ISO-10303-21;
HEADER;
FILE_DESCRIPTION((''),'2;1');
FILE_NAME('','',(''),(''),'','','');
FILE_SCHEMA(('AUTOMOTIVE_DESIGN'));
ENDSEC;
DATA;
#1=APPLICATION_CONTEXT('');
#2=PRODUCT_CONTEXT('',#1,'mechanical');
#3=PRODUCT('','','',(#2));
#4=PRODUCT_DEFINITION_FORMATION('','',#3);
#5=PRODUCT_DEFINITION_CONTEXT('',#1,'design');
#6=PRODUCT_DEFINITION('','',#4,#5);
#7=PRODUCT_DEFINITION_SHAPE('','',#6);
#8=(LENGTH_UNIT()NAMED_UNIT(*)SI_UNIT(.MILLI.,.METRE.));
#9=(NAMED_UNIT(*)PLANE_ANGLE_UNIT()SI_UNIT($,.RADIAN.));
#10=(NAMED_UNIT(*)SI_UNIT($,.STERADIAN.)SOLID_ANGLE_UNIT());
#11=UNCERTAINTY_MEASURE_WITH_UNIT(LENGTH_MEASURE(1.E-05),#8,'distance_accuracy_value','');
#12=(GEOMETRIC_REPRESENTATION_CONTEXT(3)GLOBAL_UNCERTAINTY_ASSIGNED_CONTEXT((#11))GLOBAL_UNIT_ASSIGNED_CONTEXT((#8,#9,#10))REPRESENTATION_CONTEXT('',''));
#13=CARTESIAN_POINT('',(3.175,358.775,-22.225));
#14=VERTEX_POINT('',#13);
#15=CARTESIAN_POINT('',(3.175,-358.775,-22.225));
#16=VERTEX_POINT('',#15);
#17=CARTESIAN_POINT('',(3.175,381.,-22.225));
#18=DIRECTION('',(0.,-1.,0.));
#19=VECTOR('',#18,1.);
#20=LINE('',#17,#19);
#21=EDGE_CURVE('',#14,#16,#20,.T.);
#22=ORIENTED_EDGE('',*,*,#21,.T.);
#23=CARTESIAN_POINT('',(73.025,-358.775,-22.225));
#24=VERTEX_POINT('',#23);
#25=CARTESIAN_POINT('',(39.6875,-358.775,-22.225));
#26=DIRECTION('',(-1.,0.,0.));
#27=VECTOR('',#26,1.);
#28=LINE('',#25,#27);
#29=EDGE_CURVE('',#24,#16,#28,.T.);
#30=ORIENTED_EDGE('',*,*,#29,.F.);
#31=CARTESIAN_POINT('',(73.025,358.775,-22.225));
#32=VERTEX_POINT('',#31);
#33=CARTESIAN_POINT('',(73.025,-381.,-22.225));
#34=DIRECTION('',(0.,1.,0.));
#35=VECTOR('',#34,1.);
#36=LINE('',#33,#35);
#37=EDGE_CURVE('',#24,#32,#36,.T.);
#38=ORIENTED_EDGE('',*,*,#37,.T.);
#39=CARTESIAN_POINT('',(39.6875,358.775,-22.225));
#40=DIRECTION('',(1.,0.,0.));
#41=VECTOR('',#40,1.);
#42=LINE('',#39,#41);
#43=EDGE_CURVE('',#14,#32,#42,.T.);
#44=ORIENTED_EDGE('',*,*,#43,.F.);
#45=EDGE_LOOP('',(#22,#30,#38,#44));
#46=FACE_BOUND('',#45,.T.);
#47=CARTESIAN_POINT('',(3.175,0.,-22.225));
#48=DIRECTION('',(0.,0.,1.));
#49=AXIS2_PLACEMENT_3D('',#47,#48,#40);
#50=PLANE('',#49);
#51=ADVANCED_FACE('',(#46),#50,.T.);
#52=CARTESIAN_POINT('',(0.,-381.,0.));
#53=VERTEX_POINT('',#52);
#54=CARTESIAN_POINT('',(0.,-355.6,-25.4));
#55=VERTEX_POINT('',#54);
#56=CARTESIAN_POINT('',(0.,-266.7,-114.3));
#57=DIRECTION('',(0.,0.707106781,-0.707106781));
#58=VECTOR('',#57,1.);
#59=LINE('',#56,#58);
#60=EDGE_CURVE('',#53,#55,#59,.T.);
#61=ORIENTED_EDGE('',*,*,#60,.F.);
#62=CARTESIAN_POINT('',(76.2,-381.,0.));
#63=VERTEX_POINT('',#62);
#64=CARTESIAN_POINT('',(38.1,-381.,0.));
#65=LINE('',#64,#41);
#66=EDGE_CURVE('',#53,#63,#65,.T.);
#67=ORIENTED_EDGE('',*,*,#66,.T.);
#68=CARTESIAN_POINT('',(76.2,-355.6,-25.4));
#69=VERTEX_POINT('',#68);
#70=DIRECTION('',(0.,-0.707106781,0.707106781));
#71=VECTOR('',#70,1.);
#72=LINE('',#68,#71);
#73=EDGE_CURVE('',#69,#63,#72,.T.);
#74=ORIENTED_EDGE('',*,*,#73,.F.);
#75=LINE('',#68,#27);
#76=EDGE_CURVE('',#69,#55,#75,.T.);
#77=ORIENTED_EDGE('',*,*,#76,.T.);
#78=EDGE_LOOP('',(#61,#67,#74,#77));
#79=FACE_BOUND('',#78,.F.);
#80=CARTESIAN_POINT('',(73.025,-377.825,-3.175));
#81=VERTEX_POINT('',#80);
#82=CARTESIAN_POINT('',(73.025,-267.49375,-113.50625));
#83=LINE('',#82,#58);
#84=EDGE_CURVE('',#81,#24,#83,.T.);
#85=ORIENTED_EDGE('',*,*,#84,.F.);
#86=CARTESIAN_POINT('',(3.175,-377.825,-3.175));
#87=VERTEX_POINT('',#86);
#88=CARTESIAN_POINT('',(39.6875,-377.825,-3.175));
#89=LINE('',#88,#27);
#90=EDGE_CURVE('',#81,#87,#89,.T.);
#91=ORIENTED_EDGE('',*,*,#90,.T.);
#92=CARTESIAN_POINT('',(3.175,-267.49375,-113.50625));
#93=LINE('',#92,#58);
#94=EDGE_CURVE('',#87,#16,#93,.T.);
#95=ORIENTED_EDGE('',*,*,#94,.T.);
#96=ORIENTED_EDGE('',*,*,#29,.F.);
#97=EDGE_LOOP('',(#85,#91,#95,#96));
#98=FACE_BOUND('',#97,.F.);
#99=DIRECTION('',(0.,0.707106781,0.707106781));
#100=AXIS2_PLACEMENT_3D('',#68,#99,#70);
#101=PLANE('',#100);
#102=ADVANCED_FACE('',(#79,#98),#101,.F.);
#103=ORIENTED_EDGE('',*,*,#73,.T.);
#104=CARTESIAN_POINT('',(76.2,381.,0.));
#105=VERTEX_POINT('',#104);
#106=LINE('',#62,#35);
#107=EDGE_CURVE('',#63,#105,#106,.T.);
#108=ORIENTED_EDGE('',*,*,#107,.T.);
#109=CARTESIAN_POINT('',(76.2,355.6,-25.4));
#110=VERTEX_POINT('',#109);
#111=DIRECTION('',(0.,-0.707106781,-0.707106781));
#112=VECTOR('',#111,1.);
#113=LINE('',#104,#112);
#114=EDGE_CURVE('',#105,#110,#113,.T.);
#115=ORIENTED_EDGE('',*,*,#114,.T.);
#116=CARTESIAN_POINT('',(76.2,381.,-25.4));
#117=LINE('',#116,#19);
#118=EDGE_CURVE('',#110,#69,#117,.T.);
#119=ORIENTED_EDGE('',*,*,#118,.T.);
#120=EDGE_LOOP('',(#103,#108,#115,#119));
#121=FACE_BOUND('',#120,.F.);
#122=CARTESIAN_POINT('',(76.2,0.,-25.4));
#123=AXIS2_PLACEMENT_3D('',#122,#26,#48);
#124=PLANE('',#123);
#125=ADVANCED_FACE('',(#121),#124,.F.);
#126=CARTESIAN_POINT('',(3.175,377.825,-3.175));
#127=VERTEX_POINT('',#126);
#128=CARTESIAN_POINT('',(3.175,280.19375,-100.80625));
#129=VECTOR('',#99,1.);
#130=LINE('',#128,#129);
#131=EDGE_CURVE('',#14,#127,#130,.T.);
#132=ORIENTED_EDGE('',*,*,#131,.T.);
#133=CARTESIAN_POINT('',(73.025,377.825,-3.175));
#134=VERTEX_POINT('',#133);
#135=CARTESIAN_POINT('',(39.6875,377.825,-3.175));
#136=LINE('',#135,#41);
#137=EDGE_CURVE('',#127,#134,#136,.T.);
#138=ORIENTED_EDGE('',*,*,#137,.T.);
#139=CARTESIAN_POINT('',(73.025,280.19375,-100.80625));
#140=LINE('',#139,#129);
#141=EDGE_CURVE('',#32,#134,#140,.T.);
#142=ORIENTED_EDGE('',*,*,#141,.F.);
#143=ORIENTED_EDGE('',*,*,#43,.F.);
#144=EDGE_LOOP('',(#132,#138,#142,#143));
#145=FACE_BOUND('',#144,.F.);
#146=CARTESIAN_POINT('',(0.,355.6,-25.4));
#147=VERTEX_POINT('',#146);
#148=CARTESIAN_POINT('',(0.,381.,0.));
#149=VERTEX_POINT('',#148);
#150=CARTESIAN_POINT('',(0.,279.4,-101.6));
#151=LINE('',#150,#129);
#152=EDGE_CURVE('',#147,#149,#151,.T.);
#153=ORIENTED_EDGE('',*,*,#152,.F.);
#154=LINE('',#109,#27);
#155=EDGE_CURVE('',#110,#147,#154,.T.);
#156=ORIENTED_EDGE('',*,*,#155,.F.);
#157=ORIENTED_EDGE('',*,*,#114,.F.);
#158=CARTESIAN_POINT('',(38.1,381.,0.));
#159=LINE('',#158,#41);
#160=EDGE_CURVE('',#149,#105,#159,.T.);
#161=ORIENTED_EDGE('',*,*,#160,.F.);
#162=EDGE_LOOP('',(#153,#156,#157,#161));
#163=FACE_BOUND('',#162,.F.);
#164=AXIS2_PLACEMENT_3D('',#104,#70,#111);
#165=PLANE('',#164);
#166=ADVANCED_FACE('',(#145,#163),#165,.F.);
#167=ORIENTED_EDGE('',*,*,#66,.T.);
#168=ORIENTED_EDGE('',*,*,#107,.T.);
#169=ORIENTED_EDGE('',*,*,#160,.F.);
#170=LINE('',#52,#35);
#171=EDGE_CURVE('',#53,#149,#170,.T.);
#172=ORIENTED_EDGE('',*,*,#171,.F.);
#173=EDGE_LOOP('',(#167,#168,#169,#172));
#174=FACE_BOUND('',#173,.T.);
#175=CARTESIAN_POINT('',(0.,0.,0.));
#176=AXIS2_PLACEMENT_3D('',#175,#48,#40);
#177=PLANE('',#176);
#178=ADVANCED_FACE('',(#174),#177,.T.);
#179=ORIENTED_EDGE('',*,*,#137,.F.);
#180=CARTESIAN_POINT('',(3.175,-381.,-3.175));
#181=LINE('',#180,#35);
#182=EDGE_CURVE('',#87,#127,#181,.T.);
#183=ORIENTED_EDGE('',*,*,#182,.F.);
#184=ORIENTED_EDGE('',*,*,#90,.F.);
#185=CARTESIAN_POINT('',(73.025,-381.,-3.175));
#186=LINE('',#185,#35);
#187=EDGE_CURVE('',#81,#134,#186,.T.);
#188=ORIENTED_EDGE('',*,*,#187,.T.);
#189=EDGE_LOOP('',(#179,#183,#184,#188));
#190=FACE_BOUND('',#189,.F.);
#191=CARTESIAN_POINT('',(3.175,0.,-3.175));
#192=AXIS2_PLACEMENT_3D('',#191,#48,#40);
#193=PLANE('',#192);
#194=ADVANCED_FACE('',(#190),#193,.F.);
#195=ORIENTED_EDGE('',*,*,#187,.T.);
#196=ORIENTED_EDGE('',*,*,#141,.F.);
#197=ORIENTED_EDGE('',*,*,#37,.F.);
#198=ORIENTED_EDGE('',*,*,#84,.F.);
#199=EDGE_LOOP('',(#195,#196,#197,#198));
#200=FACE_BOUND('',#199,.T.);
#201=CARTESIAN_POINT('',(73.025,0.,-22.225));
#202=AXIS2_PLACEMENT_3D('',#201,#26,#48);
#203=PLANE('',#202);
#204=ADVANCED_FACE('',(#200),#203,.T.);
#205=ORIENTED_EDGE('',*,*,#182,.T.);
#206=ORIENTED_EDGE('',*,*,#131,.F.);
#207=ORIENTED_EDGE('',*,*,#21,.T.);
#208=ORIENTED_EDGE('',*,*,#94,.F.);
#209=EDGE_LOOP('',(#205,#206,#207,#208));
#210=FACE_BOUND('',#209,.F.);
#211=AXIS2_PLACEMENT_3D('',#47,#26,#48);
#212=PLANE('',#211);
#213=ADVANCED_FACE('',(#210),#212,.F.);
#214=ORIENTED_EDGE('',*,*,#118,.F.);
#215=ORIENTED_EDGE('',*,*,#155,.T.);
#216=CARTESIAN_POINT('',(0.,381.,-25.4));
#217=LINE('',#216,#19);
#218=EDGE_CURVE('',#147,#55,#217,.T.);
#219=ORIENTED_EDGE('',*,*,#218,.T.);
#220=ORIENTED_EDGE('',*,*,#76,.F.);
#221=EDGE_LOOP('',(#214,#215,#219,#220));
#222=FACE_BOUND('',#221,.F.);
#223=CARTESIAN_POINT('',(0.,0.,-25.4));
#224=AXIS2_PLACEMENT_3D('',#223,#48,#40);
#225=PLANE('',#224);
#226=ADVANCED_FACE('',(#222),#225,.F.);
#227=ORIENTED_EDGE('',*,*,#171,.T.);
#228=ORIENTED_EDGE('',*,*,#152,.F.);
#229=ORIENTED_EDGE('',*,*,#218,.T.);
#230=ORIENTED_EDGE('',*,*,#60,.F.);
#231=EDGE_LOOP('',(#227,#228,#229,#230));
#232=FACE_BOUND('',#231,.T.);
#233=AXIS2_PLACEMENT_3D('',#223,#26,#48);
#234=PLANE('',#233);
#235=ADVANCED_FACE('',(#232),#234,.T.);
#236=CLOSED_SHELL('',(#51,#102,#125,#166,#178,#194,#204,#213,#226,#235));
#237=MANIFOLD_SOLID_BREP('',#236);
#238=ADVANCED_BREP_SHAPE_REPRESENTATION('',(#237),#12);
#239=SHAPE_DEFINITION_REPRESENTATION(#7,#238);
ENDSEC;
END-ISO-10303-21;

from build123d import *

# Parameters (mm, degrees)
F0_W          = 76.2
F0_H          = 25.4
F0_W_2        = 69.85
F0_H_2        = 19.05
F1_DEPTH      = 381
F1_DEPTH_BACK = 381
F3_DEPTH      = 76.201


with BuildPart() as f1:
    # F0 (on Front) → F1 (new body, two sides)
    with BuildSketch(Plane.XZ) as f1_sk:
        with Locations((38.1, -12.7)):
            Rectangle(F0_W, F0_H)
        with Locations((38.1, -12.7)):
            Rectangle(F0_W_2, F0_H_2, mode=Mode.SUBTRACT)
    extrude(amount=-F1_DEPTH)
    extrude(f1_sk.sketch, amount=F1_DEPTH_BACK)

    # F2 (on face) → F3 (cut, through all)
    with BuildSketch(Plane.YZ.offset(76.2)):
        Polygon((-355.6, -25.4), (-381, 0), (-381, -25.4), align=None)
        Polygon((381, -25.4), (381, 0), (355.6, -25.4), align=None)
    extrude(amount=-F3_DEPTH, mode=Mode.SUBTRACT)


solid = f1.part
